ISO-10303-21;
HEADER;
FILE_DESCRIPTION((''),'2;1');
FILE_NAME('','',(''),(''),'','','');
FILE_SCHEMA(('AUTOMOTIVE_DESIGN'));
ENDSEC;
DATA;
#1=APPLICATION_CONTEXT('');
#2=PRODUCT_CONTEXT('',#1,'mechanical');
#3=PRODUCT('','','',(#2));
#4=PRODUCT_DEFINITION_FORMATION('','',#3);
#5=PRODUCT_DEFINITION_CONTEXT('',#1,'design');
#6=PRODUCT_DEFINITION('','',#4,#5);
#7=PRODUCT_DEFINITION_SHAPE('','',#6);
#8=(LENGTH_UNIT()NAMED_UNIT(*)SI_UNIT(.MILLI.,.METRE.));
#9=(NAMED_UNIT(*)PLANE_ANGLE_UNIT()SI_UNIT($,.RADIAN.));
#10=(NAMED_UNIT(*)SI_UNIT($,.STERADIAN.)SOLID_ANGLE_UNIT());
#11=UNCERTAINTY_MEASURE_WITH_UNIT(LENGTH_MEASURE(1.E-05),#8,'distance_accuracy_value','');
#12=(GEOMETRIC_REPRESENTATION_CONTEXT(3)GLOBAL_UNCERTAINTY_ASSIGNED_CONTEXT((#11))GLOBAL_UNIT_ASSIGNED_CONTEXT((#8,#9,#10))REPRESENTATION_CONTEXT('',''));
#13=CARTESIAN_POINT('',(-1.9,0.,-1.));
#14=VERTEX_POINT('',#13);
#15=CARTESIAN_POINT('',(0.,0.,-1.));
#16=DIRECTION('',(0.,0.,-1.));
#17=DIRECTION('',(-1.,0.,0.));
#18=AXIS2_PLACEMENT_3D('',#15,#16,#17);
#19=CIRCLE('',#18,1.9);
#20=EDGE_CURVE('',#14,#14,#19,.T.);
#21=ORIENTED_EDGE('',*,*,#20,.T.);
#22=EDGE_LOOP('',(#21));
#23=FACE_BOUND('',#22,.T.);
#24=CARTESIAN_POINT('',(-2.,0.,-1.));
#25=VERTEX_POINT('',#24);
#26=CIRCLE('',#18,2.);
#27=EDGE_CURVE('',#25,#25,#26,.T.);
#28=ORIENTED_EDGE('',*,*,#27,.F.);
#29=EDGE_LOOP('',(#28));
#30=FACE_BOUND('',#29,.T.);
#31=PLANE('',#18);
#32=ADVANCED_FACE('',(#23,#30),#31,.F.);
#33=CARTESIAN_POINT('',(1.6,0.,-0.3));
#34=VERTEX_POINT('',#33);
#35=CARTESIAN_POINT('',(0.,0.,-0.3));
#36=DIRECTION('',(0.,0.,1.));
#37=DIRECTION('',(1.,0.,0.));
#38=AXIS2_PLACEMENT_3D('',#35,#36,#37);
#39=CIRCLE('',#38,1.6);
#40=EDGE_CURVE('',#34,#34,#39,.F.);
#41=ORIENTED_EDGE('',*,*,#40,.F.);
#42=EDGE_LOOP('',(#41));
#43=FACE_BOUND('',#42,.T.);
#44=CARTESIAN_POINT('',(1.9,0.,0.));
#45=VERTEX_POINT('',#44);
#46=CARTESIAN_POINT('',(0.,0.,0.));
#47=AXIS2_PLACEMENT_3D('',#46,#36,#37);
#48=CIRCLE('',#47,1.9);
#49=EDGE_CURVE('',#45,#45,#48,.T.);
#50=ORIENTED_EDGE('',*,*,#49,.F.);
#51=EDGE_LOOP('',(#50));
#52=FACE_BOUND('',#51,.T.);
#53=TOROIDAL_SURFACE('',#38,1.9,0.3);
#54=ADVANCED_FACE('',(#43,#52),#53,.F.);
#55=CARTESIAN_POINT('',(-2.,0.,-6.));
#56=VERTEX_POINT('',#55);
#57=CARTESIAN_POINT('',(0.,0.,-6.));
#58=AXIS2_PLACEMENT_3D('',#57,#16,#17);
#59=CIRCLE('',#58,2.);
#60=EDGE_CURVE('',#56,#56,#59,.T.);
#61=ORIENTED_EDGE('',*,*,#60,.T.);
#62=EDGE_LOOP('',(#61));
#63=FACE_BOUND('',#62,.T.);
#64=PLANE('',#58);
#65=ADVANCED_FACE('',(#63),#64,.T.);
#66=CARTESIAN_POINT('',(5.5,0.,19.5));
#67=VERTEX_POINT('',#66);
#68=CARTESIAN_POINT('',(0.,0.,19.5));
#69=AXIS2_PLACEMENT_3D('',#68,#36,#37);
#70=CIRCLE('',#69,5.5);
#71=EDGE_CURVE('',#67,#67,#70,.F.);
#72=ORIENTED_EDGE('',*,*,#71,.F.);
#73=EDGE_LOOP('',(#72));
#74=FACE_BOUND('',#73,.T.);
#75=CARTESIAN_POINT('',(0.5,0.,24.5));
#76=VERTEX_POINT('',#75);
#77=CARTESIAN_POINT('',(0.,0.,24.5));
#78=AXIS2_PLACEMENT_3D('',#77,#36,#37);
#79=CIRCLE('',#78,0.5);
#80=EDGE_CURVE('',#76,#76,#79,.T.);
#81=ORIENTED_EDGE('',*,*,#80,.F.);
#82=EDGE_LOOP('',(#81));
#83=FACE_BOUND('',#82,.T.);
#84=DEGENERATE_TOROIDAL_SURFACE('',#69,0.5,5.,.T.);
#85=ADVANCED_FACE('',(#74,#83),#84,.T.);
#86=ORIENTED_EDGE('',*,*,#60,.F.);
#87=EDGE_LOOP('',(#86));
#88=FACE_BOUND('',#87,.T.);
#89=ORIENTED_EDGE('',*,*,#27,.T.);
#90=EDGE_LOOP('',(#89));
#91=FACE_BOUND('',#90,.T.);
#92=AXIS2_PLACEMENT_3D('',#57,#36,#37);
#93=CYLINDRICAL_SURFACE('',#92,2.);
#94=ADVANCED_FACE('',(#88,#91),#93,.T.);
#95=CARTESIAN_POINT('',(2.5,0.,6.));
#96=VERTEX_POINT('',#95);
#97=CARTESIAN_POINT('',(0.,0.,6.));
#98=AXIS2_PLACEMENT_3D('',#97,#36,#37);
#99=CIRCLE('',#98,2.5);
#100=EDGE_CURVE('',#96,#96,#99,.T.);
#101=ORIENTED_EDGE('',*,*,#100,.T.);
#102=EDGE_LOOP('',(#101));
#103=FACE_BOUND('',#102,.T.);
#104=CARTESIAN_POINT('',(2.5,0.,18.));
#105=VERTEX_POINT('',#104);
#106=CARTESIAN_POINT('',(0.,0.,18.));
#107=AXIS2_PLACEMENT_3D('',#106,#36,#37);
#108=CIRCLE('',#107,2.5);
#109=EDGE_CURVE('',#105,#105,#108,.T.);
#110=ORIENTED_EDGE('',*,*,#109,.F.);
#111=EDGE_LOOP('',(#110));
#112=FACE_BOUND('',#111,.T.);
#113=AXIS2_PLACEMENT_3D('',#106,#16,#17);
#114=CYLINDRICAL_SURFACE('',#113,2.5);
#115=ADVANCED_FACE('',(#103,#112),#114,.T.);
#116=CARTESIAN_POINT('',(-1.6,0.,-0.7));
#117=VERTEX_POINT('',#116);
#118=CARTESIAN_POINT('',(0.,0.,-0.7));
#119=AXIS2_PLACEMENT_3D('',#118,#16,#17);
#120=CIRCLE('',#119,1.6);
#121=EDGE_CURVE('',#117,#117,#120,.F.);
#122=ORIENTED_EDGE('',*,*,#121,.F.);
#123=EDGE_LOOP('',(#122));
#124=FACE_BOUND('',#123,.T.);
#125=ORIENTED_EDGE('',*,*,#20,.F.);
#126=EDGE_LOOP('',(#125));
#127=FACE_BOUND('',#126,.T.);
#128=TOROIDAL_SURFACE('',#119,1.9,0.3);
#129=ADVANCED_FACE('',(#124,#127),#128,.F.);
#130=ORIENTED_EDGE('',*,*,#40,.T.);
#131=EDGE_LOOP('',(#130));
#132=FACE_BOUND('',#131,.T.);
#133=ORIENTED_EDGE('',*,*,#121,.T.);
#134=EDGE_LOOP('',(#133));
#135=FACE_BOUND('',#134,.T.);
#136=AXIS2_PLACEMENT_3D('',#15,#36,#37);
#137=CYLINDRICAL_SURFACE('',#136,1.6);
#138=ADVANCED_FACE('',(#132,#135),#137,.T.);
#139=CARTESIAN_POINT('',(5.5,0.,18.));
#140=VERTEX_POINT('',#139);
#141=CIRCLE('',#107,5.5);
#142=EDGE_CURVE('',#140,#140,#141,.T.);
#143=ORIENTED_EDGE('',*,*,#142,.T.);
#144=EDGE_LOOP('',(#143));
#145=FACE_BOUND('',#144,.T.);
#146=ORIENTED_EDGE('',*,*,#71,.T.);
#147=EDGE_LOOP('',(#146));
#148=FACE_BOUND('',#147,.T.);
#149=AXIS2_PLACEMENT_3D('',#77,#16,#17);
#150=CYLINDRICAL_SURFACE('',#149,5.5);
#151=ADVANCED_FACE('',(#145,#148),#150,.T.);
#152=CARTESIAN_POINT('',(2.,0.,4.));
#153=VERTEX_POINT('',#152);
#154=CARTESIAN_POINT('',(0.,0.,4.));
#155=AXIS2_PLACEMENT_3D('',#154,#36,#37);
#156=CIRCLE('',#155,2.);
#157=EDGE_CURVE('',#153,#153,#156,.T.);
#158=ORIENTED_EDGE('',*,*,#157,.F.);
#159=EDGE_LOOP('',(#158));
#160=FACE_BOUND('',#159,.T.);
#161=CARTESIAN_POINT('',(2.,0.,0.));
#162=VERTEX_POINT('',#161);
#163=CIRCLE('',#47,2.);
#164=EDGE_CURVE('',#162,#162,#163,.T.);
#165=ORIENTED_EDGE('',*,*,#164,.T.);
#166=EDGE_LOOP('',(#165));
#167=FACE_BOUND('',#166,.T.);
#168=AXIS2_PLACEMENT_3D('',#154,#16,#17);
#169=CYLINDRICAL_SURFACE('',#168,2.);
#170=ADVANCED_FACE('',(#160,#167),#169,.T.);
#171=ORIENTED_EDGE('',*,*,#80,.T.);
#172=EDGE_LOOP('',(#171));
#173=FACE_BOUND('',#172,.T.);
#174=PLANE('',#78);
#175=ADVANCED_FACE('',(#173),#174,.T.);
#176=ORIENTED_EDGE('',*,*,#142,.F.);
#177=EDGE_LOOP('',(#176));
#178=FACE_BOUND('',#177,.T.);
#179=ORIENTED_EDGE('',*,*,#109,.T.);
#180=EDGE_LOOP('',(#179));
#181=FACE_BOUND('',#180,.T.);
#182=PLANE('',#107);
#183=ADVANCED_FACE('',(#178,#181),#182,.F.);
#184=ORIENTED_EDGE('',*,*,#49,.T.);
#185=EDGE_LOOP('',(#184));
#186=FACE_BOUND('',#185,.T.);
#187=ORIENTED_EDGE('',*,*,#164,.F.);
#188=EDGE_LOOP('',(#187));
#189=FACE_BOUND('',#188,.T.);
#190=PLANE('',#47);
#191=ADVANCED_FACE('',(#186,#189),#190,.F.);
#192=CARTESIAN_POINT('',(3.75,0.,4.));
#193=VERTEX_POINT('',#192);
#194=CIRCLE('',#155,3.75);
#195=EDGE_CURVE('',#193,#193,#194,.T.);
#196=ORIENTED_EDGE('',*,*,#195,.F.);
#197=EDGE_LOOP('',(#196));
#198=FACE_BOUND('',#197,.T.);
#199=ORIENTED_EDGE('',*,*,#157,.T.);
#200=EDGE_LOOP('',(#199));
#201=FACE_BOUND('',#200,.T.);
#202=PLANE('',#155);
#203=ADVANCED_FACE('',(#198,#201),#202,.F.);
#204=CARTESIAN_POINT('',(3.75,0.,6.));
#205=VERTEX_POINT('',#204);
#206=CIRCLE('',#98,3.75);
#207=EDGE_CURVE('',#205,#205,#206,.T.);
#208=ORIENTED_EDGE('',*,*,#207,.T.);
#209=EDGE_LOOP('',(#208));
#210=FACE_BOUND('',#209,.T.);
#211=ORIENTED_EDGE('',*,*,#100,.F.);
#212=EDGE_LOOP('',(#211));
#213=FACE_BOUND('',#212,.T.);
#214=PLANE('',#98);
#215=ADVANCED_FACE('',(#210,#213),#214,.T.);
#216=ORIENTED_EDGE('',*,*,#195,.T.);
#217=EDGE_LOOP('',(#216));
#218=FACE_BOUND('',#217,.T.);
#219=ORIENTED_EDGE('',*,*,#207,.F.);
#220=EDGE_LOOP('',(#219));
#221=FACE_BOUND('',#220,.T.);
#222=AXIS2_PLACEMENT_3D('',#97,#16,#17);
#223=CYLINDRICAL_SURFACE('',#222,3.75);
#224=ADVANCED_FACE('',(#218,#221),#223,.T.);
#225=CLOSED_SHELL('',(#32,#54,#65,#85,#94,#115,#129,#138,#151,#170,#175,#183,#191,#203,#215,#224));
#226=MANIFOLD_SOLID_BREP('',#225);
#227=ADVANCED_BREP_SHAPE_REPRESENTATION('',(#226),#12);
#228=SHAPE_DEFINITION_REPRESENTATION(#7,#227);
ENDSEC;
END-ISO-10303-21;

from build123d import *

# Parameters (mm, degrees)
SKETCH1_R           = 2
BOSS_EXTRUDE1_DEPTH = 4
SKETCH2_R           = 3.75
BOSS_EXTRUDE2_DEPTH = 2
SKETCH3_R           = 2.5
BOSS_EXTRUDE3_DEPTH = 12
SKETCH4_R           = 5.5
BOSS_EXTRUDE4_DEPTH = 6.5
FILLET1_R           = 5
SKETCH5_R           = 1.6
BOSS_EXTRUDE5_DEPTH = 1
SKETCH6_R           = 2
BOSS_EXTRUDE6_DEPTH = 5
FILLET2_R           = 0.3


with BuildPart() as part:
    # Sketch1 → Boss-Extrude1 (new body)
    with BuildSketch(Plane.XY):
        Circle(SKETCH1_R)
    extrude(amount=BOSS_EXTRUDE1_DEPTH)

    # Sketch2 → Boss-Extrude2 (add)
    with BuildSketch(Plane.XY.offset(4)):
        Circle(SKETCH2_R)
    extrude(amount=BOSS_EXTRUDE2_DEPTH)

    # Sketch3 → Boss-Extrude3 (add)
    with BuildSketch(Plane.XY.offset(6)):
        Circle(SKETCH3_R)
    extrude(amount=BOSS_EXTRUDE3_DEPTH)

    # Sketch4 → Boss-Extrude4 (add)
    with BuildSketch(Plane.XY.offset(18)):
        Circle(SKETCH4_R)
    extrude(amount=BOSS_EXTRUDE4_DEPTH)

    # Fillet1
    fillet1_edges = [part.edges().sort_by_distance(p)[0] for p in [
        (-5.5, 0, 24.5),
    ]]
    fillet(fillet1_edges, radius=FILLET1_R)

    # Sketch5 → Boss-Extrude5 (add)
    with BuildSketch(Plane(origin=(0, 0, 0), x_dir=(-1, 0, 0), z_dir=(0, 0, -1))):
        Circle(SKETCH5_R)
    extrude(amount=BOSS_EXTRUDE5_DEPTH)

    # Sketch6 → Boss-Extrude6 (add)
    with BuildSketch(Plane(origin=(0, 0, -1), x_dir=(-1, 0, 0), z_dir=(0, 0, -1))):
        Circle(SKETCH6_R)
    extrude(amount=BOSS_EXTRUDE6_DEPTH)

    # Fillet2
    fillet2_edges = [part.edges().sort_by_distance(p)[0] for p in [
        (1.6, 0, 0),
        (1.6, 0, -1),
    ]]
    fillet(fillet2_edges, radius=FILLET2_R)


solid = part.part
